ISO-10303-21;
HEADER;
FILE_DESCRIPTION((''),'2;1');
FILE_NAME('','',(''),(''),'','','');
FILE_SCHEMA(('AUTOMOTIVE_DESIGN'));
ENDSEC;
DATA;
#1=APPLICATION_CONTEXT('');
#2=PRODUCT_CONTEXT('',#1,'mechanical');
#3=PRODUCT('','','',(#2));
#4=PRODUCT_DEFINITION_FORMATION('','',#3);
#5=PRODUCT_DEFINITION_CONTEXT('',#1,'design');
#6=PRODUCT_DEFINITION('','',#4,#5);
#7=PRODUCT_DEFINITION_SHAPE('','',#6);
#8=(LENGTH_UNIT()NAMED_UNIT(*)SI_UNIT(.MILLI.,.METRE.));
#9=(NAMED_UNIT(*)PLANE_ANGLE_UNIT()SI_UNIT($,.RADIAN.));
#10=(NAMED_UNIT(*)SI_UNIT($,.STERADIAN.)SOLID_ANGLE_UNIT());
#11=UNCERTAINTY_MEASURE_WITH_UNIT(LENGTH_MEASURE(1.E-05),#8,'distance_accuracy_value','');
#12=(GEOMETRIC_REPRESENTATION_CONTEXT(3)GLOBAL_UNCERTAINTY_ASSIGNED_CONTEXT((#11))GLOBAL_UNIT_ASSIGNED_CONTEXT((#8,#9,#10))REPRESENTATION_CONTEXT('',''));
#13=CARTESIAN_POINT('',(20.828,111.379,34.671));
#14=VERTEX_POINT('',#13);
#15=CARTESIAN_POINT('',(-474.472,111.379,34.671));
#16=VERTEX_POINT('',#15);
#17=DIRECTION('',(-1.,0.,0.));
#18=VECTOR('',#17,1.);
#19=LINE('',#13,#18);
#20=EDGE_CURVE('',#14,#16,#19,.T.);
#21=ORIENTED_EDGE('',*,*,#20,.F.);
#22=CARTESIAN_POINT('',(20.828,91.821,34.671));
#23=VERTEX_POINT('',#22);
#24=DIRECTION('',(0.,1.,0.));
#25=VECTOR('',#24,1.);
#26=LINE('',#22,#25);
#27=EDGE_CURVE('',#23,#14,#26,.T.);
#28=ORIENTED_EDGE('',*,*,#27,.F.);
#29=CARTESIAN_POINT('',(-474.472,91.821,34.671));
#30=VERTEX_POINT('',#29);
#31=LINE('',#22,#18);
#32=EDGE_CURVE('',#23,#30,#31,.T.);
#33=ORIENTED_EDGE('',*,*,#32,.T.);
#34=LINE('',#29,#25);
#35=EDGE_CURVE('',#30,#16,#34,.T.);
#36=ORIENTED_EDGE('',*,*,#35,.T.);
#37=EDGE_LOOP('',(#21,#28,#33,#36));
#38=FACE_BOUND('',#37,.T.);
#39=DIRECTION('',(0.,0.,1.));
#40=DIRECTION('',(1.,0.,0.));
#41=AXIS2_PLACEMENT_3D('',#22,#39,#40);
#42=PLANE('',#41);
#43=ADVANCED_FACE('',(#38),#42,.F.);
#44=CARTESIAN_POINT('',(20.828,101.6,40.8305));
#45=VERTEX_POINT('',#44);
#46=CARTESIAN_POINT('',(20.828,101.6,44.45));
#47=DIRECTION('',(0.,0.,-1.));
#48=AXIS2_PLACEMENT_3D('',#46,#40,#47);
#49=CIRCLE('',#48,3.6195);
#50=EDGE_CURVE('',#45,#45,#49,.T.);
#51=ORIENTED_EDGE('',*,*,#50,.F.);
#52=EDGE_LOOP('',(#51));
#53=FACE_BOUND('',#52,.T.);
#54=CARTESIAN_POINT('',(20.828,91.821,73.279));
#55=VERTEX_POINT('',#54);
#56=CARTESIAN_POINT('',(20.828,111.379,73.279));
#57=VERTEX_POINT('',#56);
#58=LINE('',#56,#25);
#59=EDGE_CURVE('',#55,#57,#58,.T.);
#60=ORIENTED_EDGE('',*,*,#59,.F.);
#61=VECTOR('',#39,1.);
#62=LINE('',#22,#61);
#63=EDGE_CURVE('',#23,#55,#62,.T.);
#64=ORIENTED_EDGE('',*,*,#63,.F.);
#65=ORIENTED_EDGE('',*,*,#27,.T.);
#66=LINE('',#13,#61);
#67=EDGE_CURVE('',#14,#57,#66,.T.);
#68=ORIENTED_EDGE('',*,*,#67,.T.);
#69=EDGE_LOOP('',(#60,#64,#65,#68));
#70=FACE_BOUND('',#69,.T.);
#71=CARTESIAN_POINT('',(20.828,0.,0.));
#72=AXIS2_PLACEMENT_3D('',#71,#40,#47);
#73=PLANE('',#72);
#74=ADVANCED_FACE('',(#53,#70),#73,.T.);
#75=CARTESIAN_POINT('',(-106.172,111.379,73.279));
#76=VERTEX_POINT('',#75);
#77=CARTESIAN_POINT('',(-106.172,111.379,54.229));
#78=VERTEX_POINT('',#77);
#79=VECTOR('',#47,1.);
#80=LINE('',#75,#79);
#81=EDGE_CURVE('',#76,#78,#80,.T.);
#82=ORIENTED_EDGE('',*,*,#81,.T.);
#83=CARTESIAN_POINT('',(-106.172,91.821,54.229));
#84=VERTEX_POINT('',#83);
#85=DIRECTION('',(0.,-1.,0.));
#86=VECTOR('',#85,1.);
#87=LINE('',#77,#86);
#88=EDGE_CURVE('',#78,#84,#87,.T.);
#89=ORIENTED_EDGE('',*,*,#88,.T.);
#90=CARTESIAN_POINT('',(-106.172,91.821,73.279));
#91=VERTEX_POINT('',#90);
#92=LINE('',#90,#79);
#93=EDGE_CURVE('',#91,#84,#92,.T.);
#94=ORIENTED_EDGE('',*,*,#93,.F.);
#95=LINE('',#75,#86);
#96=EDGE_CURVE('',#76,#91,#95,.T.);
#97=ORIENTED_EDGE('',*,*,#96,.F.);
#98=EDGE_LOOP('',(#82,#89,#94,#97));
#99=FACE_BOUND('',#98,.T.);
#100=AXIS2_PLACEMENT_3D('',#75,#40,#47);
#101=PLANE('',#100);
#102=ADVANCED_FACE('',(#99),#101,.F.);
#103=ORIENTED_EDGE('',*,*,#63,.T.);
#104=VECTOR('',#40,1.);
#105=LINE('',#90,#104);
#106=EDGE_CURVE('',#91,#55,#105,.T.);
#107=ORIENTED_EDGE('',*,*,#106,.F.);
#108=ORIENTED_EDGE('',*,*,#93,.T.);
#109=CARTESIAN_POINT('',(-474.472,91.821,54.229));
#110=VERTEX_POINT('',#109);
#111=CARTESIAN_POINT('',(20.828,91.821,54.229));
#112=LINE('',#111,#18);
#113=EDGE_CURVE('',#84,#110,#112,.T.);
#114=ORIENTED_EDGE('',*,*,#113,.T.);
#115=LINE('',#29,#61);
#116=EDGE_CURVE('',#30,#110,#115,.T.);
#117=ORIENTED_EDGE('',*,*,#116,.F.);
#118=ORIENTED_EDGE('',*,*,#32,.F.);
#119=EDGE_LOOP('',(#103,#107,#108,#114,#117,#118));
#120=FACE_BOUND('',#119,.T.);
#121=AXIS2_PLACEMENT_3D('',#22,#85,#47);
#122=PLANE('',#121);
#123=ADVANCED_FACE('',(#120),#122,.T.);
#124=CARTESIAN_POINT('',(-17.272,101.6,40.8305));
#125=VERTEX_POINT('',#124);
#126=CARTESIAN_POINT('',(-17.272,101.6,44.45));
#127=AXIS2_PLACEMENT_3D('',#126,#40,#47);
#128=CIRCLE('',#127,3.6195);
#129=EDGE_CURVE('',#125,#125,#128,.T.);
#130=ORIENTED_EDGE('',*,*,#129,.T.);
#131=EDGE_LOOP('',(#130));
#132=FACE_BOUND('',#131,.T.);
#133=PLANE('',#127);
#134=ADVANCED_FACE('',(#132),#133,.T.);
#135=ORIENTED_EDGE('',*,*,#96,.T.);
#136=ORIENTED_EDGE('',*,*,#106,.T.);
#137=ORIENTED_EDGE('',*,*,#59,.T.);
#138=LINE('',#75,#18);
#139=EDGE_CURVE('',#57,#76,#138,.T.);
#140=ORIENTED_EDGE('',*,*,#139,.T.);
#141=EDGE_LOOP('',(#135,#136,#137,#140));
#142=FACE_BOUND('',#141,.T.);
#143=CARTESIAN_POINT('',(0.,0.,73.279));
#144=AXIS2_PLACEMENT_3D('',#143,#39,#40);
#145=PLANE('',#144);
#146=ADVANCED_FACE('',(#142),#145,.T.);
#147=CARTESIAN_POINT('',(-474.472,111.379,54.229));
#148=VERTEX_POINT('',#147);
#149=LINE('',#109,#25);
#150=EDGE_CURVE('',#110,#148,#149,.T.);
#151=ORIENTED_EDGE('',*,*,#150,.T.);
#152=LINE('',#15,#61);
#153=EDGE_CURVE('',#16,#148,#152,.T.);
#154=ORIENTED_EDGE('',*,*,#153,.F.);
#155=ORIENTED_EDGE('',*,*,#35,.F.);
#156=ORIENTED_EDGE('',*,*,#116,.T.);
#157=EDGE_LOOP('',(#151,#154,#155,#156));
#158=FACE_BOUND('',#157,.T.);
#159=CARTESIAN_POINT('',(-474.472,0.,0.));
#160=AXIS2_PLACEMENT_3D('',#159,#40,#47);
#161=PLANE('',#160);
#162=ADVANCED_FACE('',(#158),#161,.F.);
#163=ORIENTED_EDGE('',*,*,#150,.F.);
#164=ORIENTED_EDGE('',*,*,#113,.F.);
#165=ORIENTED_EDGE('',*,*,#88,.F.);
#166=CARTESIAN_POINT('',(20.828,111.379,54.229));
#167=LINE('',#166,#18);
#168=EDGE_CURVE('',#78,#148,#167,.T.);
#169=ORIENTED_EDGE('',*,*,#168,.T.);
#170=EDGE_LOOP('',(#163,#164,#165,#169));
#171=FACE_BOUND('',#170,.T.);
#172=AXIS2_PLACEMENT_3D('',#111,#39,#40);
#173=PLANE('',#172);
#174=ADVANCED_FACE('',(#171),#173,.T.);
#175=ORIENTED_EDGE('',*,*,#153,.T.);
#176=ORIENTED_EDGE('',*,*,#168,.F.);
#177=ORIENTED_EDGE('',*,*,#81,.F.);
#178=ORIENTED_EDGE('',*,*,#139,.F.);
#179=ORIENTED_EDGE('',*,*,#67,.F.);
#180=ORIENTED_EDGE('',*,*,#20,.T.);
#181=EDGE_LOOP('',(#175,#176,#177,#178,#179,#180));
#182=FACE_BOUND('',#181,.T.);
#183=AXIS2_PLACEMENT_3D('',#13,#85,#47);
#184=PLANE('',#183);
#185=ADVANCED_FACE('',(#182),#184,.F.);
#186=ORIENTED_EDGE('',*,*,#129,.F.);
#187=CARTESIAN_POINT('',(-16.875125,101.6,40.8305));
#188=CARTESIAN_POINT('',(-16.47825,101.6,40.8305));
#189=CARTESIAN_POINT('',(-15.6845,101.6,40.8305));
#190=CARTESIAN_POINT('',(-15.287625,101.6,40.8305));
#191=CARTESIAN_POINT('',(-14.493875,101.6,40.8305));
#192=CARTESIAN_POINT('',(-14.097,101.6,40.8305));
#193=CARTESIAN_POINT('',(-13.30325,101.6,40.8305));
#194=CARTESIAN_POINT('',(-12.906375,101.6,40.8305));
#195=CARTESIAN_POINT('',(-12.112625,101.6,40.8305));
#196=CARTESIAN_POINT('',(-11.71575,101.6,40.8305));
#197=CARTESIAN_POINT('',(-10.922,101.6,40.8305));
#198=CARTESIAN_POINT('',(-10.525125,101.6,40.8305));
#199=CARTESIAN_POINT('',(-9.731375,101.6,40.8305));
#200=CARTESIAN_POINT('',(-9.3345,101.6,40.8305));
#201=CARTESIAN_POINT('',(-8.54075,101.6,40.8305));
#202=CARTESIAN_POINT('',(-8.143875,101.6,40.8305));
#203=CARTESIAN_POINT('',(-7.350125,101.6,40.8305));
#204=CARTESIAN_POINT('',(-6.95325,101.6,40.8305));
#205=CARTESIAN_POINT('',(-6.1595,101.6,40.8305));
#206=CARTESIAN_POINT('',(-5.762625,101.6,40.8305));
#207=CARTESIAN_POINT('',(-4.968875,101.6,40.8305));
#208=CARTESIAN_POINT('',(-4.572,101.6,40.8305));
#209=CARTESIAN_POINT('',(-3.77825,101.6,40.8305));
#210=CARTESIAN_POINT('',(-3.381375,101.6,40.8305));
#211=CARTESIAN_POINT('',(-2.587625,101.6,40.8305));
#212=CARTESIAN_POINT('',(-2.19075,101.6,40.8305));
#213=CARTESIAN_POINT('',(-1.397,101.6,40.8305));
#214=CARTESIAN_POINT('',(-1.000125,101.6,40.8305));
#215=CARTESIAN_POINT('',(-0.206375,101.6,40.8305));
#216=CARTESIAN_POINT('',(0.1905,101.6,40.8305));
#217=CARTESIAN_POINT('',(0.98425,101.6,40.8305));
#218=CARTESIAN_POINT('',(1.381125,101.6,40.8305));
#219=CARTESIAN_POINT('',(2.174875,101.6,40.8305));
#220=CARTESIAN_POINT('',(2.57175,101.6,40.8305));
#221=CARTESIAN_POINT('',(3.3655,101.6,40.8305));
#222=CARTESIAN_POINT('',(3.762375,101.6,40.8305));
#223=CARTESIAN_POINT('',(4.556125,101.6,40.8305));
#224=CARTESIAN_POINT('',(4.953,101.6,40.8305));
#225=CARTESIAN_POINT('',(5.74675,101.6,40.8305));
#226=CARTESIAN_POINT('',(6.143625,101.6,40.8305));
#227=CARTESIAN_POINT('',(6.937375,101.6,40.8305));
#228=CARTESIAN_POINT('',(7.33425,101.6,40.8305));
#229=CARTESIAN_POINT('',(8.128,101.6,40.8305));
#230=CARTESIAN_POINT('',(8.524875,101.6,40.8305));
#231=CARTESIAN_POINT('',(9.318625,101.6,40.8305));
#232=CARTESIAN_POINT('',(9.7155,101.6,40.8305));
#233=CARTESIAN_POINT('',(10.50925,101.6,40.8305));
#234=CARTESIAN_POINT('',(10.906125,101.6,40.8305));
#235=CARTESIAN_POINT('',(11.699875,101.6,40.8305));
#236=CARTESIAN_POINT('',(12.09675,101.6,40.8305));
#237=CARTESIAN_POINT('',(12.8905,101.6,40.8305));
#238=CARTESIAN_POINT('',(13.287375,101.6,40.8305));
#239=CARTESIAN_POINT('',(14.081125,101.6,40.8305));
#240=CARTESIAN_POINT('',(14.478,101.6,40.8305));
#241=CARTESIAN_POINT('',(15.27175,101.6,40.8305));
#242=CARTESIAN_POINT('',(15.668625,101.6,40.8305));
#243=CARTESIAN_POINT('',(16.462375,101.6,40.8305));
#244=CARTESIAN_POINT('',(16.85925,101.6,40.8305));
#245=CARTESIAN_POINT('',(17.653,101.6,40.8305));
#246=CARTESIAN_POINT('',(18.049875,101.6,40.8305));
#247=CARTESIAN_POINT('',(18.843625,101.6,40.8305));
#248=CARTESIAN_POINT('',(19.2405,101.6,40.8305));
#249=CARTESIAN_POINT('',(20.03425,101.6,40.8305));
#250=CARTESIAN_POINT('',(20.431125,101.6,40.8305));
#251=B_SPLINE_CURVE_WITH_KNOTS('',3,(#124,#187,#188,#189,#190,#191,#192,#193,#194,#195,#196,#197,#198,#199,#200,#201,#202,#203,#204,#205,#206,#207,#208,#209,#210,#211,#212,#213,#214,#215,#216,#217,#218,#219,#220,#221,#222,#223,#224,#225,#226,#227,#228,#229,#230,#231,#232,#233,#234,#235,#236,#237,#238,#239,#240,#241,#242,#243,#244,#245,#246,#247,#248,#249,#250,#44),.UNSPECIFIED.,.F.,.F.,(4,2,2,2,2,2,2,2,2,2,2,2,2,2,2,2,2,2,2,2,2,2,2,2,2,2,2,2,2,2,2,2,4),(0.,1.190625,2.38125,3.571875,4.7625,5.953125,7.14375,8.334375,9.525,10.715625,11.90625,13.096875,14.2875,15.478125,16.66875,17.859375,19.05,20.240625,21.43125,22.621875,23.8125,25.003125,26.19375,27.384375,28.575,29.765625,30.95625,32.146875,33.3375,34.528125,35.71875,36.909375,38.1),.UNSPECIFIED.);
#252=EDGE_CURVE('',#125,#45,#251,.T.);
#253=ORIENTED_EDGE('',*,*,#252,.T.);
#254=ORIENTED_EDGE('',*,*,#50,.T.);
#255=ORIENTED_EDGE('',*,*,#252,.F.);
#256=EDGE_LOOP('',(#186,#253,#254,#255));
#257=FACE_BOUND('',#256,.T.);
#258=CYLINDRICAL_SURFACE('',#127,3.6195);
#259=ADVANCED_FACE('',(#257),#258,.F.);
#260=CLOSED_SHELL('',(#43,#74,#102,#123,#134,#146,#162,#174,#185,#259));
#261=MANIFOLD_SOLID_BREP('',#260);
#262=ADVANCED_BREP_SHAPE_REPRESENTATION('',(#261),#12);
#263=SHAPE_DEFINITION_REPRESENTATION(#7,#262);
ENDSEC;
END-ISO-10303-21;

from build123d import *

# Parameters (mm, degrees)
BOSS_EXTRUDE1_DEPTH      = 457.2
BOSS_EXTRUDE1_DEPTH_BACK = 38.1
SKETCH1_W                = 19.558
SKETCH1_H                = 19.558
SKETCH2_R                = 3.6195
CUT_EXTRUDE1_DEPTH       = 38.1
SKETCH3_W                = 127
SKETCH3_H                = 19.558
BOSS_EXTRUDE2_DEPTH      = 19.05


with BuildPart() as part:
    # Sketch1 → Boss-Extrude1 (new, two sides: drawn at the far end of the back side and taken through both)
    with BuildSketch(Plane.ZY.offset(17.272).offset(-BOSS_EXTRUDE1_DEPTH_BACK)):
        with Locations((44.45, 101.6)):
            Rectangle(SKETCH1_W, SKETCH1_H)
    extrude(amount=BOSS_EXTRUDE1_DEPTH + BOSS_EXTRUDE1_DEPTH_BACK)

    # Sketch2 → Cut-Extrude1 (cut)
    with BuildSketch(Plane(origin=(20.828, 0, 0), x_dir=(0, 0, -1), z_dir=(1, 0, 0))):
        with Locations((-44.45, 101.6)):
            Circle(SKETCH2_R)
    extrude(amount=-CUT_EXTRUDE1_DEPTH, mode=Mode.SUBTRACT)

    # Sketch3 → Boss-Extrude2 (add)
    with BuildSketch(Plane.XY.offset(54.229)):
        with Locations((-42.672, 101.6)):
            Rectangle(SKETCH3_W, SKETCH3_H)
    extrude(amount=BOSS_EXTRUDE2_DEPTH)


solid = part.part
